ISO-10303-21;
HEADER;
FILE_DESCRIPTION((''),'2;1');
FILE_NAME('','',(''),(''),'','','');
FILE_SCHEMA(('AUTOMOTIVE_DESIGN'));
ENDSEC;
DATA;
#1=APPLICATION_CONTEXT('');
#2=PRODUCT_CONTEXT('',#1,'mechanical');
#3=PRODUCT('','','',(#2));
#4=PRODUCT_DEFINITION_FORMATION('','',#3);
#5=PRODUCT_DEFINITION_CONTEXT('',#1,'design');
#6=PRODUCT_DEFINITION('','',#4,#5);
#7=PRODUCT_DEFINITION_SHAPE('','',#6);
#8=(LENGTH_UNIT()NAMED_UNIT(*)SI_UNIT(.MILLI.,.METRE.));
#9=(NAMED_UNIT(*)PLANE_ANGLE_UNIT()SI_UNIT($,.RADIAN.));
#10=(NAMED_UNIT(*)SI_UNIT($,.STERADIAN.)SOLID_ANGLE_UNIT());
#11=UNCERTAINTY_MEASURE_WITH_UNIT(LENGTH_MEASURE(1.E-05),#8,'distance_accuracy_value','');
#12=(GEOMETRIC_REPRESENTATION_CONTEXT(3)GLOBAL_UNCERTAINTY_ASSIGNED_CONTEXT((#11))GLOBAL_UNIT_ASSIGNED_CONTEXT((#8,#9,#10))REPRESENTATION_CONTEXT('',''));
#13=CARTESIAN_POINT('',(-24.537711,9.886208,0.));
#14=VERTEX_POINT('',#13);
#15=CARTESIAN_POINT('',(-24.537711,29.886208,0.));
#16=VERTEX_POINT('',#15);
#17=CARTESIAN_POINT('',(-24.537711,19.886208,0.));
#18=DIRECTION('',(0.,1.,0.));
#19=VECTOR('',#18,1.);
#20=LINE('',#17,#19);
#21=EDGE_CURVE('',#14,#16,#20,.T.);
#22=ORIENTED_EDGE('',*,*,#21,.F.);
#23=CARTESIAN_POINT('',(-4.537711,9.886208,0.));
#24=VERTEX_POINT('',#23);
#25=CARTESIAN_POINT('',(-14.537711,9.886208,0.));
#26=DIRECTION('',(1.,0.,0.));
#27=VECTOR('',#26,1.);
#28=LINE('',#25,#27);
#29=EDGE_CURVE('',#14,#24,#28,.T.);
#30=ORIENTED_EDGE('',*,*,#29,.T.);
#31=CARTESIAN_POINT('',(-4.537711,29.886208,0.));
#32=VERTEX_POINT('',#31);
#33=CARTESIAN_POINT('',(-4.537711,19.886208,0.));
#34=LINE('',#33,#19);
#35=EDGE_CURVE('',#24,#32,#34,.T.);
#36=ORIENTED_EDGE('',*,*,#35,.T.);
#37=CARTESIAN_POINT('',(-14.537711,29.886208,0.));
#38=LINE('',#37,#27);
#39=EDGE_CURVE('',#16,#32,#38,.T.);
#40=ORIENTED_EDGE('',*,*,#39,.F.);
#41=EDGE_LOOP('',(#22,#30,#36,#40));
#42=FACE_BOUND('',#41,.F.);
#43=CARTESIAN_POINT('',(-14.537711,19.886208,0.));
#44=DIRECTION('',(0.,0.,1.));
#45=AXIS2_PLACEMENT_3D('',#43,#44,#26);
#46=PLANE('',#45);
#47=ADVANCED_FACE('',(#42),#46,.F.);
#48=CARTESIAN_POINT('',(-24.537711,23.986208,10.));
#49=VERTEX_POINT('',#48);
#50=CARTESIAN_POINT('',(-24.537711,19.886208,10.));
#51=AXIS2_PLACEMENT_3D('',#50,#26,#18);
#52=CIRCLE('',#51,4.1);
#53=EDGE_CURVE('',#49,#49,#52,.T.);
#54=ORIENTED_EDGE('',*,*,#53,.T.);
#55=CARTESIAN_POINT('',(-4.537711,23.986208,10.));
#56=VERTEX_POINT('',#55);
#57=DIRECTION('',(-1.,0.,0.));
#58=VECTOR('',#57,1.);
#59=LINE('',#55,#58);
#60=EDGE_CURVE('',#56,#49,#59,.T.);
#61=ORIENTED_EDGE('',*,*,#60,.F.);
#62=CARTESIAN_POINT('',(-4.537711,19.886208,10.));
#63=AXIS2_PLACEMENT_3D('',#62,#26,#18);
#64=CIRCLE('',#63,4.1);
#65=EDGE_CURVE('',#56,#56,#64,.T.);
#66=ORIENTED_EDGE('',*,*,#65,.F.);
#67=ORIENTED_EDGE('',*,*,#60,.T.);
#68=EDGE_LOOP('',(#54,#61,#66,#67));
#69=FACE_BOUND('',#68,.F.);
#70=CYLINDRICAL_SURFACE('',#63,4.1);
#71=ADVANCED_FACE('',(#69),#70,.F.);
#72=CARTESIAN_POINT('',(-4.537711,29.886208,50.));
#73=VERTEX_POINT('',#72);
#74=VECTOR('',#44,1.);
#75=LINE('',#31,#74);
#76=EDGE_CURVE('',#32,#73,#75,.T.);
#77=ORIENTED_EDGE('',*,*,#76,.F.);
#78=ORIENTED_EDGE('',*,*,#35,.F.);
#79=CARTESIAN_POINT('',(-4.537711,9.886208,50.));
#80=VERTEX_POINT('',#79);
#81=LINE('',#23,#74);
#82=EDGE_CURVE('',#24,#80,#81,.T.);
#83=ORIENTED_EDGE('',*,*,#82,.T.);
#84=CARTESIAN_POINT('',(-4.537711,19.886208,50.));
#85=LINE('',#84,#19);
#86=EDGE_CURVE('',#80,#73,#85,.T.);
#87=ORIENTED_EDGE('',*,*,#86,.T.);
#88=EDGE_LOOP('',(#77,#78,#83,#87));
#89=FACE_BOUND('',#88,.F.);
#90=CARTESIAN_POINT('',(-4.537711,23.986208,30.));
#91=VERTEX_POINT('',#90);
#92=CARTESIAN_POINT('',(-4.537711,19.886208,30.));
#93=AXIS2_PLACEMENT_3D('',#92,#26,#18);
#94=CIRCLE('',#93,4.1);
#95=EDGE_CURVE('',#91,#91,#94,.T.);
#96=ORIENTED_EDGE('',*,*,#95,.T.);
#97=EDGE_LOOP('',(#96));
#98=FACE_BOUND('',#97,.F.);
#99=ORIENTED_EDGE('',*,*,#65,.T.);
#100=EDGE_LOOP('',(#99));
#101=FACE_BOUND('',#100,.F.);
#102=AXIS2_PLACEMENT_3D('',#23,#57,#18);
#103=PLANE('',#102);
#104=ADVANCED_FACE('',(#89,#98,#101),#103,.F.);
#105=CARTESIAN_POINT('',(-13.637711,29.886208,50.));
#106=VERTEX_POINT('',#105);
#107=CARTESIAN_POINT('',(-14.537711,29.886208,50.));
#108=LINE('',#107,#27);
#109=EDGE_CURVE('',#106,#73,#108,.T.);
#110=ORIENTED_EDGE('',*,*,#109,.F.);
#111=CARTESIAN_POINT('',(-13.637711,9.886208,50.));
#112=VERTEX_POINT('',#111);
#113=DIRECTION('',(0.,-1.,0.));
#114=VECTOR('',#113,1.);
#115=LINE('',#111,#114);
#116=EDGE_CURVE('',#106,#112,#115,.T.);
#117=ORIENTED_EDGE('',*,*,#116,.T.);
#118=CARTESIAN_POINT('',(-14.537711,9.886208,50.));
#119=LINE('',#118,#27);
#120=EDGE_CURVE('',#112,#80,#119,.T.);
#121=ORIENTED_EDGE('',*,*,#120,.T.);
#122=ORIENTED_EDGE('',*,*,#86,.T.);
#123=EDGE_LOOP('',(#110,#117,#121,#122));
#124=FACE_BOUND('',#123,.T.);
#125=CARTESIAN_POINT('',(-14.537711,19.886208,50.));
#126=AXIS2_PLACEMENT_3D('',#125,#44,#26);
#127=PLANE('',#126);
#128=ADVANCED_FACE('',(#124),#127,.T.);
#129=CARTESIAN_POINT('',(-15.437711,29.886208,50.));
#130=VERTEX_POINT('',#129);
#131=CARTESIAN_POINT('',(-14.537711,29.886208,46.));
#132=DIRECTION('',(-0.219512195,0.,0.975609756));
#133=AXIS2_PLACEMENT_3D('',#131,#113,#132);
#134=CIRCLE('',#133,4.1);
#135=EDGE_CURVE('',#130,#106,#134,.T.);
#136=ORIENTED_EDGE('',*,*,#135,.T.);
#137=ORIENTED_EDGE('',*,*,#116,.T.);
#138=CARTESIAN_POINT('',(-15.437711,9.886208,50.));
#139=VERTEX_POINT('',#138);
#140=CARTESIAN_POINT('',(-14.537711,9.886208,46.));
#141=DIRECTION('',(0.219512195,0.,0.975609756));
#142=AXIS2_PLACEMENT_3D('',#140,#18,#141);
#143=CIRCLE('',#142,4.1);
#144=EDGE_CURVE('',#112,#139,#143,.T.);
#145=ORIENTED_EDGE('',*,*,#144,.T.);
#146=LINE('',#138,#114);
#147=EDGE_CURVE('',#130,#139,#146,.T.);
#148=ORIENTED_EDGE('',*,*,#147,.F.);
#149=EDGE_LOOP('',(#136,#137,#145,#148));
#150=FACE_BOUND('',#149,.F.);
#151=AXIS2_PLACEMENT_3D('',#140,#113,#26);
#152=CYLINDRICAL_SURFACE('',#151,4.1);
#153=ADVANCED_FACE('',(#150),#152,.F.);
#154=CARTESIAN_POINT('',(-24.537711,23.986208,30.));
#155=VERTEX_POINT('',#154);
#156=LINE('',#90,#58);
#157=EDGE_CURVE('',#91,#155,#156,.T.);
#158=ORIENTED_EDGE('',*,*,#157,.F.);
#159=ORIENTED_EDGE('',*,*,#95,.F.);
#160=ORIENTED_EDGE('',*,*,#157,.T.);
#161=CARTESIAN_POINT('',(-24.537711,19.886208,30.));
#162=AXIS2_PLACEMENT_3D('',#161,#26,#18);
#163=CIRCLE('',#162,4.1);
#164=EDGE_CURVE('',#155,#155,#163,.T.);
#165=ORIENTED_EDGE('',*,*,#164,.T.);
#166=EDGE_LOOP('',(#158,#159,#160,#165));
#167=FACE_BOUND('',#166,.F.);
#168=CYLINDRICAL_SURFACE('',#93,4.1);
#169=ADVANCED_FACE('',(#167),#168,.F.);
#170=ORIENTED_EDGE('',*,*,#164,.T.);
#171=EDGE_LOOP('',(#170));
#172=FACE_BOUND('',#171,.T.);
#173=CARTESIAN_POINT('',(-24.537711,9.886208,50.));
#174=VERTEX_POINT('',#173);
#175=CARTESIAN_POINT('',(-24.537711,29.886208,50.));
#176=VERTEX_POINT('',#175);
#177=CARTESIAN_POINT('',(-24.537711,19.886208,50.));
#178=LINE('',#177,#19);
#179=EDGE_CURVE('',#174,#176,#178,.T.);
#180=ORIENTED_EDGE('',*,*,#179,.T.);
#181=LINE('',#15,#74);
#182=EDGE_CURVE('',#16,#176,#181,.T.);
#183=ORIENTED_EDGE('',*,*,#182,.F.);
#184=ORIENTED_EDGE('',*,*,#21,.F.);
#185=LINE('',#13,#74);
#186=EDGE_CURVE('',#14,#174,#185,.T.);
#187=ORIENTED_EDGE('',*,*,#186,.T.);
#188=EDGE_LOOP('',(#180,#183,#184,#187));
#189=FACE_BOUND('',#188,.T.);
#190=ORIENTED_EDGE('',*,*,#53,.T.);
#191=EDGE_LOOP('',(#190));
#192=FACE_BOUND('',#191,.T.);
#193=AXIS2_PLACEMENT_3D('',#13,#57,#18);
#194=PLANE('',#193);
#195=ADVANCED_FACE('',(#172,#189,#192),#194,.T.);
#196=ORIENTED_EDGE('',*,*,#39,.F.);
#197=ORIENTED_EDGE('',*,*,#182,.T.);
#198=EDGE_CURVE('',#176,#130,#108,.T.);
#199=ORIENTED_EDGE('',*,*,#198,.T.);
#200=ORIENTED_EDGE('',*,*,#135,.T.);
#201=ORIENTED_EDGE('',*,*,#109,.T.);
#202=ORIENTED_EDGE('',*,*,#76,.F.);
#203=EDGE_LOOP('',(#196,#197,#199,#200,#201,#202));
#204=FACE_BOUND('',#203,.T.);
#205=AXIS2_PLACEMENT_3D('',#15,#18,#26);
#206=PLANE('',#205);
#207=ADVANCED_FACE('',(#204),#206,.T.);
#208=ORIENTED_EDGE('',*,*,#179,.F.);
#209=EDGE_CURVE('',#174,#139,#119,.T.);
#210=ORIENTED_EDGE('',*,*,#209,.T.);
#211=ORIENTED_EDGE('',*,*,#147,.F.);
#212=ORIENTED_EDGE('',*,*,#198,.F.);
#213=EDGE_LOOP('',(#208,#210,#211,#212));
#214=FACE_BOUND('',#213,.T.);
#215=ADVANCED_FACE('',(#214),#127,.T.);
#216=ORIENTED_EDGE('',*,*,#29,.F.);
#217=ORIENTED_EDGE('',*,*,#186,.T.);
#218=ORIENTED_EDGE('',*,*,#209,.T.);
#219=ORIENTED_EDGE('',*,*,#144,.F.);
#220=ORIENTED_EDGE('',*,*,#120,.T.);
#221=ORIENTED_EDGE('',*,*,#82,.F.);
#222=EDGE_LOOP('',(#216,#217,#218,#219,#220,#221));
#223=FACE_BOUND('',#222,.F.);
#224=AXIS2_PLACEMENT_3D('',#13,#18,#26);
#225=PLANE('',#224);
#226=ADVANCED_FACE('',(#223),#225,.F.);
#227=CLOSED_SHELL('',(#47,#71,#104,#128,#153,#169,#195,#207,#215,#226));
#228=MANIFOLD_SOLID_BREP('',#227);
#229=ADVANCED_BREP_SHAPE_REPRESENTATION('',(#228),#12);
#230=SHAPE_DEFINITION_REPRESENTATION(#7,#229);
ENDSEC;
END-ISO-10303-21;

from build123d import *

# Parameters (mm, degrees)
SKETCH_W        = 20
SKETCH_H        = 20
PAD_DEPTH       = 50
SKETCH001_R     = 4.1
POCKET_DEPTH    = 20
SKETCH002_R     = 4.1
POCKET001_DEPTH = 20


with BuildPart() as part:
    # Sketch → Pad (new body)
    with BuildSketch(Plane.XY):
        with Locations((-14.537711, 19.886208)):
            Rectangle(SKETCH_W, SKETCH_H)
    extrude(amount=PAD_DEPTH)

    # Sketch001 → Pocket (cut)
    with BuildSketch(Plane.YZ.offset(-4.537711)):
        with Locations((19.886208, 30)):
            Circle(SKETCH001_R)
        with Locations((19.886208, 10)):
            Circle(SKETCH001_R)
    extrude(amount=-POCKET_DEPTH, mode=Mode.SUBTRACT)

    # Sketch002 → Pocket001 (cut)
    with BuildSketch(Plane.XZ.offset(-9.886208)):
        with Locations((-14.537711, 46)):
            Circle(SKETCH002_R)
    extrude(amount=-POCKET001_DEPTH, mode=Mode.SUBTRACT)


solid = part.part
